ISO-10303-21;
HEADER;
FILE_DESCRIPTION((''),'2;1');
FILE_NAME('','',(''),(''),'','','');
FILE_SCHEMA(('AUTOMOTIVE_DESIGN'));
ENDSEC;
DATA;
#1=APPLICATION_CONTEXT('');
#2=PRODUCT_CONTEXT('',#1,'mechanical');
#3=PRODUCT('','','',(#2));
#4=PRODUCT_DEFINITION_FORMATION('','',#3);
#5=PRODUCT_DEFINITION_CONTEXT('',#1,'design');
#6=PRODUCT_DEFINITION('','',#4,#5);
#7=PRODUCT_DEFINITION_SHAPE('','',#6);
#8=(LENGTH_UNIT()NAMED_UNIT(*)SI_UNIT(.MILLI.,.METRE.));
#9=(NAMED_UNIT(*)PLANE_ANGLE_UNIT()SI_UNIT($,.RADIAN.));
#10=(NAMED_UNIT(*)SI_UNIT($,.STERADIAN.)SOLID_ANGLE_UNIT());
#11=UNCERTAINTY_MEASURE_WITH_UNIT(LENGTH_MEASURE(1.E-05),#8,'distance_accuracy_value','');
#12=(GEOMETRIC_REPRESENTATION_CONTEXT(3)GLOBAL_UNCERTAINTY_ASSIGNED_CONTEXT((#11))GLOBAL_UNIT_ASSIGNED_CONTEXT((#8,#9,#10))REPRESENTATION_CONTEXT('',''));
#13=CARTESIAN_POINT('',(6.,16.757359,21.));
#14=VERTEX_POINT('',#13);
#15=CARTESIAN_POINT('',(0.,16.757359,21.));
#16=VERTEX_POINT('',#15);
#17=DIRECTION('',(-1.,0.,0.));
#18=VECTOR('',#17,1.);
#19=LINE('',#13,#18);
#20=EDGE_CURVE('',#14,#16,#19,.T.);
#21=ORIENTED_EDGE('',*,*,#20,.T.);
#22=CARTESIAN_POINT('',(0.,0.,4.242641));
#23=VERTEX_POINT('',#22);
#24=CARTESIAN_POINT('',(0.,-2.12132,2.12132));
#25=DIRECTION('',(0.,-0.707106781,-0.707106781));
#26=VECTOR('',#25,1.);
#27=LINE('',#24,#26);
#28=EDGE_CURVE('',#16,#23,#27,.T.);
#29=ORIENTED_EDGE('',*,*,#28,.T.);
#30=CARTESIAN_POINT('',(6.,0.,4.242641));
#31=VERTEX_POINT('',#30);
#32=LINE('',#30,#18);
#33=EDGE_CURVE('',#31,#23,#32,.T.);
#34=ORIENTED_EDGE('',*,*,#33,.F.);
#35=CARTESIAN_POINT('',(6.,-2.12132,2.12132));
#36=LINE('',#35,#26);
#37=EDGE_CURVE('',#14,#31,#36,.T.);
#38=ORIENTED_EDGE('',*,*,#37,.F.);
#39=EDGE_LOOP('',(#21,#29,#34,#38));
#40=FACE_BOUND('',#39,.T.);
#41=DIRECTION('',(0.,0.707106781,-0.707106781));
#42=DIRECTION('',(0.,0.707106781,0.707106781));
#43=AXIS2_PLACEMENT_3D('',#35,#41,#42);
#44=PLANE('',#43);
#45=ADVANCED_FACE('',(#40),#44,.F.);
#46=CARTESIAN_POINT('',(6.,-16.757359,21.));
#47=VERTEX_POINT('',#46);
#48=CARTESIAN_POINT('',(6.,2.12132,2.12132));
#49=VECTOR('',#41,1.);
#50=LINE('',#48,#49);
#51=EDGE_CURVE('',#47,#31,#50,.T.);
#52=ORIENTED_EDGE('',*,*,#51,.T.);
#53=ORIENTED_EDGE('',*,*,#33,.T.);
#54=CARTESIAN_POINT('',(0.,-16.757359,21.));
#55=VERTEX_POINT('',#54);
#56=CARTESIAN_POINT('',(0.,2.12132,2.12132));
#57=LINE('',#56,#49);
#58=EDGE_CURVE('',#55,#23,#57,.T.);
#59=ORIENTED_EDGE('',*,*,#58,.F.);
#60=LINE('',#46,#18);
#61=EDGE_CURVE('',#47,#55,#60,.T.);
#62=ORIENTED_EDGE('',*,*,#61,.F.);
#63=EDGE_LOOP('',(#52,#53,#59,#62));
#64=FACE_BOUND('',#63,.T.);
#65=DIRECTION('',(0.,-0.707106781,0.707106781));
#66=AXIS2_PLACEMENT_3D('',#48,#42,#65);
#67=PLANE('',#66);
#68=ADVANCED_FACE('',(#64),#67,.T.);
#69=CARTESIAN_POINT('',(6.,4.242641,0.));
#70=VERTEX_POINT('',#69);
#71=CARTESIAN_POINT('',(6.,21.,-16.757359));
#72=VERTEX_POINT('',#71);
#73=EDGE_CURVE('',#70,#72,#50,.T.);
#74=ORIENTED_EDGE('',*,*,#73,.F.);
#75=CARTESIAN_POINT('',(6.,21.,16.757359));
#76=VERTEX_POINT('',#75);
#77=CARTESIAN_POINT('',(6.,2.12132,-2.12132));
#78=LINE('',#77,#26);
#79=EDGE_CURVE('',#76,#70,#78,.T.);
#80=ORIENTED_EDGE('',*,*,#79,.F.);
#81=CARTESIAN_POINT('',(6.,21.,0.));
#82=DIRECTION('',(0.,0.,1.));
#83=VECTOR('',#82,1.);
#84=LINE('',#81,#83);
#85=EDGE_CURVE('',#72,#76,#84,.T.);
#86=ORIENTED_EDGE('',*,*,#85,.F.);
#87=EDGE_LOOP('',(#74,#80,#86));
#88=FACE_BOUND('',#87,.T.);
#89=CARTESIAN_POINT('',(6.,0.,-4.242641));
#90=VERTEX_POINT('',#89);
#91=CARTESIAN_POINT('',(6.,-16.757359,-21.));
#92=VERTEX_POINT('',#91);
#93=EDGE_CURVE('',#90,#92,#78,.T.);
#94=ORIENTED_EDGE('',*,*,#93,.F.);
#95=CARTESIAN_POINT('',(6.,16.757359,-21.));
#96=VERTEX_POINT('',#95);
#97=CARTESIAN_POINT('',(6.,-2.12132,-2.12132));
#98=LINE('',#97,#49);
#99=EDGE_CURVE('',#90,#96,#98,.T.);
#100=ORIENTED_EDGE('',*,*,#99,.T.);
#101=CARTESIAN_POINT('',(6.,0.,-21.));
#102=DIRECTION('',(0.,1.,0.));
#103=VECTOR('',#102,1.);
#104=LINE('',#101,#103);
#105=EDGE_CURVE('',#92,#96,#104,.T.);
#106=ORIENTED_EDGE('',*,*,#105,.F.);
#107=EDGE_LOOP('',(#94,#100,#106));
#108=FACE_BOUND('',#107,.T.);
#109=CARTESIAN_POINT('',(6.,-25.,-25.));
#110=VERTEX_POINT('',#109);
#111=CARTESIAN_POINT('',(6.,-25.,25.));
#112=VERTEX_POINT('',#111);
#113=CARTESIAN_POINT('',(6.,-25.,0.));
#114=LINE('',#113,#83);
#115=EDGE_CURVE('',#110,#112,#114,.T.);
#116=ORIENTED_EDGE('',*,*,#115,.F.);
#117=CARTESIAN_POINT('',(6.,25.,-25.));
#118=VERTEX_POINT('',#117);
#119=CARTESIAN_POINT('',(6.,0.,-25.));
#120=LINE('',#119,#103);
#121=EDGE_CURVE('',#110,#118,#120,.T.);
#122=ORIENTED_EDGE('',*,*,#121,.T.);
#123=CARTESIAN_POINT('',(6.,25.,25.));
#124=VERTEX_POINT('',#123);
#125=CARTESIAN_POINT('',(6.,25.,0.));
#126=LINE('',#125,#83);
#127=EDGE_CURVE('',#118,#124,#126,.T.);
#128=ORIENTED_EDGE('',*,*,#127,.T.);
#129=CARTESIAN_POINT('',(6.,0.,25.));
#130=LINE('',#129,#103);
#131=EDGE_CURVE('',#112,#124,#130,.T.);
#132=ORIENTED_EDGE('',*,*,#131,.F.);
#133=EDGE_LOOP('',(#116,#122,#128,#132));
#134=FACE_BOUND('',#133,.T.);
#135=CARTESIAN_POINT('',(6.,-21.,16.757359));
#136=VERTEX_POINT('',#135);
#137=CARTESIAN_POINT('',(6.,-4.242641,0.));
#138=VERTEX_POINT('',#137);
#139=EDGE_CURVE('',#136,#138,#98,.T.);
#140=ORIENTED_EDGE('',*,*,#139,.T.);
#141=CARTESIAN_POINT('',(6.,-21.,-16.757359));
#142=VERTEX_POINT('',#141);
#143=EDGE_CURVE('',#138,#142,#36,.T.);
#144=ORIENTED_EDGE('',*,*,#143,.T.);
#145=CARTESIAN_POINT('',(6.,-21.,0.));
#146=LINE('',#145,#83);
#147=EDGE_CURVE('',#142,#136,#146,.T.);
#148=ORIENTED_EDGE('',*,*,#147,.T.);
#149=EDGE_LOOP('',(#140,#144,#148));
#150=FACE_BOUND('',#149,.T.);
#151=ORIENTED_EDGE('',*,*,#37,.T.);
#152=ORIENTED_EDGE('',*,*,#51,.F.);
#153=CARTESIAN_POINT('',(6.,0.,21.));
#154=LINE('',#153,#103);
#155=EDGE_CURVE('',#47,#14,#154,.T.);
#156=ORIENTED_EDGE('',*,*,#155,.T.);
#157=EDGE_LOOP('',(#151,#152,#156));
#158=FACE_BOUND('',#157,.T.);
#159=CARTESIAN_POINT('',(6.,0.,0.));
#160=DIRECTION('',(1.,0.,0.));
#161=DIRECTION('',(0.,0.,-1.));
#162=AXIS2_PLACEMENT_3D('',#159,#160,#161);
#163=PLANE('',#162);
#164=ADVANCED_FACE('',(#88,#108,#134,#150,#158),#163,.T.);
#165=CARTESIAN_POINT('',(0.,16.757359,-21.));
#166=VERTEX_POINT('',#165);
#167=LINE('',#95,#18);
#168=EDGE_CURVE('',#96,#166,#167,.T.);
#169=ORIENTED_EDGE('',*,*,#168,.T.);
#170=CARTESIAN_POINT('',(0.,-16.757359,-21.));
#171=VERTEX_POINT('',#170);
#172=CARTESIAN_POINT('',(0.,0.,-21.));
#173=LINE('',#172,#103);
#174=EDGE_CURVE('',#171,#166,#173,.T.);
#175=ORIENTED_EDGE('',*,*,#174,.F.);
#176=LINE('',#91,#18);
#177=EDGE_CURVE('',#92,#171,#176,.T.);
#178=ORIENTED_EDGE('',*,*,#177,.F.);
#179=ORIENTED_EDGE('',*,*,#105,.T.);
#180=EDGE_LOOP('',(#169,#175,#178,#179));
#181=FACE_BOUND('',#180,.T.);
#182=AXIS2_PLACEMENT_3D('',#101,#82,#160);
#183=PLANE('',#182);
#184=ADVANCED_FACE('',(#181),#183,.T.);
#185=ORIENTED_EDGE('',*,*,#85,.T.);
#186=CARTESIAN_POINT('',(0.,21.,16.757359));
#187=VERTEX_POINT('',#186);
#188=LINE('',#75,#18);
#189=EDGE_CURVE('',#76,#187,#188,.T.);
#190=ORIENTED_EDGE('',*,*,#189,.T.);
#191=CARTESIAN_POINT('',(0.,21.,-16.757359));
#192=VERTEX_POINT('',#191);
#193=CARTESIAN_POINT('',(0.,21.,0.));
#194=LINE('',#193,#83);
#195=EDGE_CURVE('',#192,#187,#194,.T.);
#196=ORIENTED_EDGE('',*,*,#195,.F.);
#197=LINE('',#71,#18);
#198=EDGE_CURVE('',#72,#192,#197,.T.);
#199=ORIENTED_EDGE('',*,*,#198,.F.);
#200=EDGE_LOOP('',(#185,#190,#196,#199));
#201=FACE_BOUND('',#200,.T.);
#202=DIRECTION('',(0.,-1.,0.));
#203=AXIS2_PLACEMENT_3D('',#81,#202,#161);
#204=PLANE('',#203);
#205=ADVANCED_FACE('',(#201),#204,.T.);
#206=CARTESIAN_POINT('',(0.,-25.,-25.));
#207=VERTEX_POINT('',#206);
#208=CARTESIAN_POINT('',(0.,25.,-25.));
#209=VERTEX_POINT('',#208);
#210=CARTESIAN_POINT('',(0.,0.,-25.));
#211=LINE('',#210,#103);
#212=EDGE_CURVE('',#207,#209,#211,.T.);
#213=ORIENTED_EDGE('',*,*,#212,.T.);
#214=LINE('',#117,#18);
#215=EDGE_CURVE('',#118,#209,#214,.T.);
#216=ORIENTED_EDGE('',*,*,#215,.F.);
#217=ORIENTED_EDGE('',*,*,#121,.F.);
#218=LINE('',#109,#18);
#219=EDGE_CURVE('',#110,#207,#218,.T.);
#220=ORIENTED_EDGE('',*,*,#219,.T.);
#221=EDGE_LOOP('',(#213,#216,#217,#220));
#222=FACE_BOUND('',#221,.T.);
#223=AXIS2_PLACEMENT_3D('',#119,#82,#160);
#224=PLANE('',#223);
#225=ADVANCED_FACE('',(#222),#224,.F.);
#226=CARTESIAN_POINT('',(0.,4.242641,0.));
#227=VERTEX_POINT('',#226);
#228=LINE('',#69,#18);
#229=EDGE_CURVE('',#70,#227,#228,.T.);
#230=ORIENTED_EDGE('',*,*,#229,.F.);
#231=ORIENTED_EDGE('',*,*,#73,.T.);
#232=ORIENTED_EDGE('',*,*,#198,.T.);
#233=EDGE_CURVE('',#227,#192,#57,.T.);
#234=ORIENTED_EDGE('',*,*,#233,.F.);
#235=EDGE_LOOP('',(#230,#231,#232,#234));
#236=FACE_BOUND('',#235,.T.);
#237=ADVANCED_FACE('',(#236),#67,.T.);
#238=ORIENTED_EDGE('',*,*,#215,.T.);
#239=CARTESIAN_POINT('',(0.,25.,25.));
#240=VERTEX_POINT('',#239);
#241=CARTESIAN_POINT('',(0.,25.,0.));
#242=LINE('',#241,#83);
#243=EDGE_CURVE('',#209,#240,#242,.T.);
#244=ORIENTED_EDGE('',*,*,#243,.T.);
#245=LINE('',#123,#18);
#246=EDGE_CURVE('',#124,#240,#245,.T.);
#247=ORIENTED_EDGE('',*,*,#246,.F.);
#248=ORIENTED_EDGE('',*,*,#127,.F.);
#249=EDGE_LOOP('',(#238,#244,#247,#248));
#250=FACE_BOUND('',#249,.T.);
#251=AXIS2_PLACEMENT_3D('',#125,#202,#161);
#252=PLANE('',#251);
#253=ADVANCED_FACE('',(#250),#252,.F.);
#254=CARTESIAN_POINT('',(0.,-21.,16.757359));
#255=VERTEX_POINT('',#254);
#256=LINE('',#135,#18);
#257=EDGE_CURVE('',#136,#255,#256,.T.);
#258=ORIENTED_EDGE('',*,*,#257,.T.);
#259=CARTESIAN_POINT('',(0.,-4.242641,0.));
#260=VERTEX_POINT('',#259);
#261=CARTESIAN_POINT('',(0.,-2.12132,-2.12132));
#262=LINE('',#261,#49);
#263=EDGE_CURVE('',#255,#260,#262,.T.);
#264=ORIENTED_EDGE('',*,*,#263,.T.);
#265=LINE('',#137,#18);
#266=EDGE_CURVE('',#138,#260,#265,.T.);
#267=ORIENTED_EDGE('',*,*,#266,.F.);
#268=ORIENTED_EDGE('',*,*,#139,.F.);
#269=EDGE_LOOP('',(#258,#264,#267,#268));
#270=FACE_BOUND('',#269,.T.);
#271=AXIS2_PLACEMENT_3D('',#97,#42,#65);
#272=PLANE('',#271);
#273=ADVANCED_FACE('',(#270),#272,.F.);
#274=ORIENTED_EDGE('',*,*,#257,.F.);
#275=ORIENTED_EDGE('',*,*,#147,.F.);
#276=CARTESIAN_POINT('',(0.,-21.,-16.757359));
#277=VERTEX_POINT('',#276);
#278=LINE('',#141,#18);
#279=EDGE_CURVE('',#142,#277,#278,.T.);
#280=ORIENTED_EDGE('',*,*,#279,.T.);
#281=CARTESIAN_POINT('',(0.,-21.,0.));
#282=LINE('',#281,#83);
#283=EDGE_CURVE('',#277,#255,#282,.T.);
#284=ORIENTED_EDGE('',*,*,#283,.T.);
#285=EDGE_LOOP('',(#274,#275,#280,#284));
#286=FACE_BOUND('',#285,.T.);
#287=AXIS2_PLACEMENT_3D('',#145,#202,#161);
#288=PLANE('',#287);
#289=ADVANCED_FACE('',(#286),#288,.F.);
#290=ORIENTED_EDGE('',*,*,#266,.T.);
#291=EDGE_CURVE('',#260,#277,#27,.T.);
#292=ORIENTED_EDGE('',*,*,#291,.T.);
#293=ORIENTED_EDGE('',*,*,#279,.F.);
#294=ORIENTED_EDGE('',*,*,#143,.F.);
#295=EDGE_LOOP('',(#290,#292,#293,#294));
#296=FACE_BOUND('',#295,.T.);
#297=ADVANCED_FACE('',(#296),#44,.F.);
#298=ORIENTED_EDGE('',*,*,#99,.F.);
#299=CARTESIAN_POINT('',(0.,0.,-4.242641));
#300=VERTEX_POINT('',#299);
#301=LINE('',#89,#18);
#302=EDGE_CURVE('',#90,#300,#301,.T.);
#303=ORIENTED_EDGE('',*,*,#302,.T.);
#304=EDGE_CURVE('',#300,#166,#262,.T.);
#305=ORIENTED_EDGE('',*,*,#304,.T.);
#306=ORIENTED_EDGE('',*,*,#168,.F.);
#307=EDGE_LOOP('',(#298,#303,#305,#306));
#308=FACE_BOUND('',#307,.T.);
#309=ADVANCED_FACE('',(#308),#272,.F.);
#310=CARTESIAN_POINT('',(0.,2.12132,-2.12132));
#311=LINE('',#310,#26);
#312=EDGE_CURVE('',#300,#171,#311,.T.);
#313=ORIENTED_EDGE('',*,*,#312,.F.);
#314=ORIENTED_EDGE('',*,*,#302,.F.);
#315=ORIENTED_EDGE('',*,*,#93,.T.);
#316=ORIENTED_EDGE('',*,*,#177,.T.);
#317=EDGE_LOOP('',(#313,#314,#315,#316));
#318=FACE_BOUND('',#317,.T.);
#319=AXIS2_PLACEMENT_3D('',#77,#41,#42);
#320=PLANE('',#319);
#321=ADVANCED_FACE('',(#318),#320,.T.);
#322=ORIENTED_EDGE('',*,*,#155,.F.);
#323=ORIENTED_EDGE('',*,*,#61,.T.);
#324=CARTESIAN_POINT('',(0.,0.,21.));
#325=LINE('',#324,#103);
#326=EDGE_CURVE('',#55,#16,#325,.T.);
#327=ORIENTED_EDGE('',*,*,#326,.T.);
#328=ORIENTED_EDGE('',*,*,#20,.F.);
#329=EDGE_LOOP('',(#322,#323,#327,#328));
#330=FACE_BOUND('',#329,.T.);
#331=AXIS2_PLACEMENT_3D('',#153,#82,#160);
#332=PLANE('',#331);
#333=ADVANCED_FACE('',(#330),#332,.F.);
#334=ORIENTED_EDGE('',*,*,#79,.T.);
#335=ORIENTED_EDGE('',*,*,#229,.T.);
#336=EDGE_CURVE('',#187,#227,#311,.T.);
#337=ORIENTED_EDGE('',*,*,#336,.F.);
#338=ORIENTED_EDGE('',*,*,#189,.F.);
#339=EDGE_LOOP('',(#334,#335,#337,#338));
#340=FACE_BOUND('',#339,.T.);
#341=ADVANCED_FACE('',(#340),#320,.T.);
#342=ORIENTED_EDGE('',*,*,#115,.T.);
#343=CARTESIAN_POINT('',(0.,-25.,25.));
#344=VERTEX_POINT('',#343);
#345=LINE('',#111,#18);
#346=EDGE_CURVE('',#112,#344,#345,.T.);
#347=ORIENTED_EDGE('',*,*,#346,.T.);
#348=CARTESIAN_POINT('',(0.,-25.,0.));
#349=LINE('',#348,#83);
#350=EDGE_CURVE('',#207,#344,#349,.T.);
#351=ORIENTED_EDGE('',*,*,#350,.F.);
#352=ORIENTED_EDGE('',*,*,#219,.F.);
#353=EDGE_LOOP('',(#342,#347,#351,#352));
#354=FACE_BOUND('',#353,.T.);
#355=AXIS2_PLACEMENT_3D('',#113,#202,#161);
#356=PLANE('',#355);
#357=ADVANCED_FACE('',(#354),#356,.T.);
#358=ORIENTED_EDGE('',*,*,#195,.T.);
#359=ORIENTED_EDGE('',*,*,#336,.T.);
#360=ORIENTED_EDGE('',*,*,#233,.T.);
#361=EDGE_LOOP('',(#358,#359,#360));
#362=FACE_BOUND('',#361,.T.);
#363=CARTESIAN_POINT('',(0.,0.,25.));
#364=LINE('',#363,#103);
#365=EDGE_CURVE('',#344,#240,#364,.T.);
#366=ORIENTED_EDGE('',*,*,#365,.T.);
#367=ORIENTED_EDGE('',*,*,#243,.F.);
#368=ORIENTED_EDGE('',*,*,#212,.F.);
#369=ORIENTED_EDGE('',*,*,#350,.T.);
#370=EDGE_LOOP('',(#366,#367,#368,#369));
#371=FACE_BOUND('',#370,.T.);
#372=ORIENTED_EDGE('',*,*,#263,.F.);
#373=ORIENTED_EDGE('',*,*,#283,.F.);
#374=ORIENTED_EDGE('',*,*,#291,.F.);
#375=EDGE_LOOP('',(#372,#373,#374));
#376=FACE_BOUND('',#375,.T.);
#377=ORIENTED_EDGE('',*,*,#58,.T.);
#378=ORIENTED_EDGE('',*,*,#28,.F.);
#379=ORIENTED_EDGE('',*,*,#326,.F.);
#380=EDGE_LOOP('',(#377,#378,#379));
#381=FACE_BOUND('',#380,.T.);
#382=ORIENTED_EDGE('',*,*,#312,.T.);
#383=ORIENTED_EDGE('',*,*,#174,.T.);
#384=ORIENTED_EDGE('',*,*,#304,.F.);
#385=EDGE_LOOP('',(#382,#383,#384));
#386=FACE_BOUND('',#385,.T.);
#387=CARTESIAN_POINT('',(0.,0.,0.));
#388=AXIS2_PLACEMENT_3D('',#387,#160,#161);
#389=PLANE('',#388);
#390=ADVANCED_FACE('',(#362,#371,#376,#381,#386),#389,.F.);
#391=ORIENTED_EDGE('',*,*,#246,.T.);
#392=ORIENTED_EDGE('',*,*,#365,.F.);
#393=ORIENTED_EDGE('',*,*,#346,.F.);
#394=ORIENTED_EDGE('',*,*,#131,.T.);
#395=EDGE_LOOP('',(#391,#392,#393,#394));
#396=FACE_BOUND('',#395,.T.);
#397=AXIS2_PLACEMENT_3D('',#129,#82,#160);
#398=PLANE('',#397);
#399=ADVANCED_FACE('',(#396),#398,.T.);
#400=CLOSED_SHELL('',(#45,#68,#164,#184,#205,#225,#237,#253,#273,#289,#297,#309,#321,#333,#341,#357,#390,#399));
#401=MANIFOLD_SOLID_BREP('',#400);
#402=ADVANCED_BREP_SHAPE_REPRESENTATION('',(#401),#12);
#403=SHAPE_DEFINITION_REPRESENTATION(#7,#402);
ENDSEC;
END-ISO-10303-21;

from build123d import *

# Parameters (mm, degrees)
SKETCH1_W           = 50
SKETCH1_H           = 50
BOSS_EXTRUDE1_DEPTH = 6


with BuildPart() as part:
    # Sketch1 → Boss-Extrude1 (new body)
    with BuildSketch(Plane.YZ):
        Rectangle(SKETCH1_W, SKETCH1_H)
        Polygon((4.242640687, 0), (21, 16.757359313), (21, -16.757359313), align=None, mode=Mode.SUBTRACT)
        Polygon((16.757359313, 21), (0, 4.242640687), (-16.757359313, 21), align=None, mode=Mode.SUBTRACT)
        Polygon((-21, 16.757359313), (-4.242640687, 0), (-21, -16.757359313), align=None, mode=Mode.SUBTRACT)
        Polygon((-16.757359313, -21), (0, -4.242640687), (16.757359313, -21), align=None, mode=Mode.SUBTRACT)
    extrude(amount=BOSS_EXTRUDE1_DEPTH)


solid = part.part
